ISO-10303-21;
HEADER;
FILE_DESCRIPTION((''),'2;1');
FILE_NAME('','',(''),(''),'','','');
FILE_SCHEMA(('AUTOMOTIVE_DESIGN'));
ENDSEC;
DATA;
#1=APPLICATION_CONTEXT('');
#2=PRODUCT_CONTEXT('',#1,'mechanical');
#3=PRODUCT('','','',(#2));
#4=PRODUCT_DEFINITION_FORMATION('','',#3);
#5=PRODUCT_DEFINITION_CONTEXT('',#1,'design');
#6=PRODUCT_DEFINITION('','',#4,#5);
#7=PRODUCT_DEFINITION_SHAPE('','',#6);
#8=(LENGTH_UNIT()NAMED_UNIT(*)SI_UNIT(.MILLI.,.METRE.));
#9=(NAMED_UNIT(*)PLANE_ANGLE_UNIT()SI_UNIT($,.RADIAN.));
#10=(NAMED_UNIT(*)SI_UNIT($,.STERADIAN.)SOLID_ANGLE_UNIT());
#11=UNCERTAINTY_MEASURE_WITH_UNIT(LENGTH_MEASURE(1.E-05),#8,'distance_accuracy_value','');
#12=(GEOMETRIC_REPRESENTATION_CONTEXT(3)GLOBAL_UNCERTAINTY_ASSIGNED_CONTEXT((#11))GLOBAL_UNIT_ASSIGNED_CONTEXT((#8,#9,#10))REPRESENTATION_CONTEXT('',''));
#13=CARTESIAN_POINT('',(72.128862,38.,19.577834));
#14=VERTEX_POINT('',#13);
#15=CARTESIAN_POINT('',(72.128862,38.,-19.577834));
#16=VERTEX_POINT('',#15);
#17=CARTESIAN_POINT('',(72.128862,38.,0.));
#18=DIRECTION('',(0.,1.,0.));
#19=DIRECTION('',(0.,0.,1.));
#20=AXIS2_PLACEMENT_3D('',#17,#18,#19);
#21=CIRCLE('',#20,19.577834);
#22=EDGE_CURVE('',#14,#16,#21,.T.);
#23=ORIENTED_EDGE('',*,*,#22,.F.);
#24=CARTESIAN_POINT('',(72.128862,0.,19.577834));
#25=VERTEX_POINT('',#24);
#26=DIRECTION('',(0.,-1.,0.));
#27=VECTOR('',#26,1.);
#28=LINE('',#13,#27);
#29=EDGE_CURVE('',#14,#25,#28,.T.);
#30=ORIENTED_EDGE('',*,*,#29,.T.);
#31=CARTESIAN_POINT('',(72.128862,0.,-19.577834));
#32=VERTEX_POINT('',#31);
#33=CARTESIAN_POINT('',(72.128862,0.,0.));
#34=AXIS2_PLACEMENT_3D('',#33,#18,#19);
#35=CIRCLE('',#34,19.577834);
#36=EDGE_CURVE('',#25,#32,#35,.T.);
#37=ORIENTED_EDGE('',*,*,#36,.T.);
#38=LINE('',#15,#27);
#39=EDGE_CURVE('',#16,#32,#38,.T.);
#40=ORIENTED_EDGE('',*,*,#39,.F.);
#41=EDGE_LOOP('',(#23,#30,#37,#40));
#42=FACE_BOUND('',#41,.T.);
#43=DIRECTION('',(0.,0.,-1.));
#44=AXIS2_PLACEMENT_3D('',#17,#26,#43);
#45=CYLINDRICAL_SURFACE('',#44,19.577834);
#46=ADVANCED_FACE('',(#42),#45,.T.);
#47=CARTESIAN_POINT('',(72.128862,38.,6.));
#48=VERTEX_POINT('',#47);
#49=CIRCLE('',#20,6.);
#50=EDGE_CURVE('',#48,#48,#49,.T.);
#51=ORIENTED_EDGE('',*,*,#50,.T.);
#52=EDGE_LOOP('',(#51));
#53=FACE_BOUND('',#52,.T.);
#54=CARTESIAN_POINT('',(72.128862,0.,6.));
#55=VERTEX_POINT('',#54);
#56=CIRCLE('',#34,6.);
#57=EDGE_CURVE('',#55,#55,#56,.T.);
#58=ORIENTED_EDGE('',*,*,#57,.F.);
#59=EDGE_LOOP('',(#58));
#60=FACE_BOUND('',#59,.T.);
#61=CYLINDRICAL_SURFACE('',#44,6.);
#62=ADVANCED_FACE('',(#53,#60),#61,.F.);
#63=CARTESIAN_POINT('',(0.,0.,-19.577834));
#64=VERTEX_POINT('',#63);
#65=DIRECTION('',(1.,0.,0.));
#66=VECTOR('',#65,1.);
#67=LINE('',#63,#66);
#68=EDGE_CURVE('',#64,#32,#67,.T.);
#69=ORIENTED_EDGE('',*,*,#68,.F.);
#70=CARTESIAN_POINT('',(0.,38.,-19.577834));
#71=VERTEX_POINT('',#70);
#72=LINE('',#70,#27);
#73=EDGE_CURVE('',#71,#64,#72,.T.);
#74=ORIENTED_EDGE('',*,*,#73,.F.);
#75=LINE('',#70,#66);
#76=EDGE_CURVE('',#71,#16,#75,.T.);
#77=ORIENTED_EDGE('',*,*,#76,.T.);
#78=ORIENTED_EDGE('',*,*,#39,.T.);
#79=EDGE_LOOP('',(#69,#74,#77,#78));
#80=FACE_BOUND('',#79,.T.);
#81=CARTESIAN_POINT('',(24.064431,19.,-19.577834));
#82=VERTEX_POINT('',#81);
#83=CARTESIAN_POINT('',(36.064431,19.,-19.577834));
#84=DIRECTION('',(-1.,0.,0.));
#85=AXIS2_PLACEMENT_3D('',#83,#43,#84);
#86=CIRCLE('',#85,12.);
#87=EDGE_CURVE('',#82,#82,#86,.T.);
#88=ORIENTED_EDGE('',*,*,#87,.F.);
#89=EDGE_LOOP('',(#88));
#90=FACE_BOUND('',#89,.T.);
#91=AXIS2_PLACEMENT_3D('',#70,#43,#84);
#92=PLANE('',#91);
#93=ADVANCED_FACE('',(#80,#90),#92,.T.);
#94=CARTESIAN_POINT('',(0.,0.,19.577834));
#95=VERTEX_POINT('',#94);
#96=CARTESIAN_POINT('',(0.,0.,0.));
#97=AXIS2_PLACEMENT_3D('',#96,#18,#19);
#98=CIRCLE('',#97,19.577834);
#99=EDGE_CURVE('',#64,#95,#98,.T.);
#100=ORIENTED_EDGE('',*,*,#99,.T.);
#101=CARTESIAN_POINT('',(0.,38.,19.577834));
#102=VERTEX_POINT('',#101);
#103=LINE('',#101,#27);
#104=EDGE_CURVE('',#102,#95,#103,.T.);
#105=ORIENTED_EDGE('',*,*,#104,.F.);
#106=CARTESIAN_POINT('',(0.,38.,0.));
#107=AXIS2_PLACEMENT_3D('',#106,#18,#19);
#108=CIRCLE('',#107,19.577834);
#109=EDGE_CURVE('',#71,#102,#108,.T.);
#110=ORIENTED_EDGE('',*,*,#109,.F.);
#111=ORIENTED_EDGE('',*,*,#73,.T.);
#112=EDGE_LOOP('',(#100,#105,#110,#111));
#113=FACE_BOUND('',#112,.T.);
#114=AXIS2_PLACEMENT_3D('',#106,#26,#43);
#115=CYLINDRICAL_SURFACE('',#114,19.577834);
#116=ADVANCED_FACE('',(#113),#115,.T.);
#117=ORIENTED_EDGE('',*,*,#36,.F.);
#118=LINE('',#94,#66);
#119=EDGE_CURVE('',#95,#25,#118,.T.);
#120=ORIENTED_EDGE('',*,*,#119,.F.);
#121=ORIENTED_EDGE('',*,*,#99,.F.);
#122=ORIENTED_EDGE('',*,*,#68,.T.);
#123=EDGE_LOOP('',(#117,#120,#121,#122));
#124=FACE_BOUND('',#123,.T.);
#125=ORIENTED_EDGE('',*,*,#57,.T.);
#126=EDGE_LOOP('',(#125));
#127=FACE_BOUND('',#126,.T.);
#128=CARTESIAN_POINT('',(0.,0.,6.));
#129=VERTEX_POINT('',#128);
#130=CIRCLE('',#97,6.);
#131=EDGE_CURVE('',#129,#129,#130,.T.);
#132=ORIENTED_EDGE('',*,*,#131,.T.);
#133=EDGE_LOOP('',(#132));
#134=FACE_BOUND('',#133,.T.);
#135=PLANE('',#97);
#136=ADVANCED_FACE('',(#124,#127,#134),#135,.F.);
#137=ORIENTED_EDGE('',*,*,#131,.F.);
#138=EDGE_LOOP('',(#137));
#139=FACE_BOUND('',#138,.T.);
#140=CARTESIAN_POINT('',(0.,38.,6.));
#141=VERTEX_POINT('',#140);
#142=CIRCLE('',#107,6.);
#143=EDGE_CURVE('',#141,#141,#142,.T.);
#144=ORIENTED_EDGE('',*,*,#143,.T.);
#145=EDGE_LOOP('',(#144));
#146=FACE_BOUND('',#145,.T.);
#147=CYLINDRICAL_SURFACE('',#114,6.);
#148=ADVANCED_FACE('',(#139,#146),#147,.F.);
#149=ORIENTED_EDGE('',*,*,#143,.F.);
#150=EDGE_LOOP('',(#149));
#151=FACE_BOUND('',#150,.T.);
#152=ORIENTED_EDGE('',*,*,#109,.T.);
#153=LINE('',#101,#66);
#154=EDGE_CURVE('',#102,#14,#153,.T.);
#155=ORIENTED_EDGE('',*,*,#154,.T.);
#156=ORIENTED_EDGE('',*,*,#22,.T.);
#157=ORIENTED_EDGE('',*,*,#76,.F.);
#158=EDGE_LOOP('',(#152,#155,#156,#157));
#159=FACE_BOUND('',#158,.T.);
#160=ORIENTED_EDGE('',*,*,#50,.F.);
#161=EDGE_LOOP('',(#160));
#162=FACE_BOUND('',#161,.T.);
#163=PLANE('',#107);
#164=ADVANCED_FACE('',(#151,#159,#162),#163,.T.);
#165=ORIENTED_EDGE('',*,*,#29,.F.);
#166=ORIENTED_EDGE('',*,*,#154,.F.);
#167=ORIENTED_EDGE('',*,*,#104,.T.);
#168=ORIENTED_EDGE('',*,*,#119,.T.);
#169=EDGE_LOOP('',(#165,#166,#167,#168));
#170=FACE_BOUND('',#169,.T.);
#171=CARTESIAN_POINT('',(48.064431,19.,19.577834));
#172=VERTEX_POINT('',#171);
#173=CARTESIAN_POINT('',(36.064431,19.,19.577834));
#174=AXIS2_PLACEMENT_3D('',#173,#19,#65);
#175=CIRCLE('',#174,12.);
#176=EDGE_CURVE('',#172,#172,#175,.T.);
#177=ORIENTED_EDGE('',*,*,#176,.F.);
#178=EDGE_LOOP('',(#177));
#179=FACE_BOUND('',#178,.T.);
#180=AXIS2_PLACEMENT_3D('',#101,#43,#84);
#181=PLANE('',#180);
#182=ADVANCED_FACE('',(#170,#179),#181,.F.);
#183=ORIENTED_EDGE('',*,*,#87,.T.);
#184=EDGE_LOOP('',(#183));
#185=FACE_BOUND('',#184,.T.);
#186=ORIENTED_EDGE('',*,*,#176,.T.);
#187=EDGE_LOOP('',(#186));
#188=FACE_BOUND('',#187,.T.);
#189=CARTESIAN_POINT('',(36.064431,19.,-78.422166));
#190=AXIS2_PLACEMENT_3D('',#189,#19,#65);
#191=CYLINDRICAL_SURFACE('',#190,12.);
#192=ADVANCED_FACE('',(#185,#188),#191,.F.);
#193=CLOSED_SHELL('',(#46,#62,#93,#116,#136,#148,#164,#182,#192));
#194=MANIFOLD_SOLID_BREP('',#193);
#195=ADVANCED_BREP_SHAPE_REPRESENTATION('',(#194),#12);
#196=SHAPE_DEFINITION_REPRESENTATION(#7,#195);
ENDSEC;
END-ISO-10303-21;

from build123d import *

# Parameters (mm, degrees)
SKETCH1_R           = 6
BOSS_EXTRUDE1_DEPTH = 38
SKETCH3_R           = 12
CUT_EXTRUDE2_DEPTH  = 98


with BuildPart() as part:
    # Sketch1 → Boss-Extrude1 (new body)
    with BuildSketch(Plane(origin=(0, 0, 0), x_dir=(1, 0, 0), z_dir=(0, 1, 0))):
        with BuildLine():
            Line((0, 19.577833845), (72.128861533, 19.577833845))
            ThreePointArc((72.128861533, 19.577833845), (91.706695377, 0), (72.128861533, -19.577833845))
            Line((72.128861533, -19.577833845), (0, -19.577833845))
            ThreePointArc((0, -19.577833845), (-19.577833845, 0), (0, 19.577833845))
        make_face()
        Circle(SKETCH1_R, mode=Mode.SUBTRACT)
        with Locations((72.128861533, 0)):
            Circle(SKETCH1_R, mode=Mode.SUBTRACT)
    extrude(amount=BOSS_EXTRUDE1_DEPTH)

    # Sketch3 → Cut-Extrude2 (cut)
    with BuildSketch(Plane.XY.offset(19.577833845)):
        with Locations((36.064430766, 19)):
            Circle(SKETCH3_R)
    extrude(amount=-CUT_EXTRUDE2_DEPTH, mode=Mode.SUBTRACT)


solid = part.part
